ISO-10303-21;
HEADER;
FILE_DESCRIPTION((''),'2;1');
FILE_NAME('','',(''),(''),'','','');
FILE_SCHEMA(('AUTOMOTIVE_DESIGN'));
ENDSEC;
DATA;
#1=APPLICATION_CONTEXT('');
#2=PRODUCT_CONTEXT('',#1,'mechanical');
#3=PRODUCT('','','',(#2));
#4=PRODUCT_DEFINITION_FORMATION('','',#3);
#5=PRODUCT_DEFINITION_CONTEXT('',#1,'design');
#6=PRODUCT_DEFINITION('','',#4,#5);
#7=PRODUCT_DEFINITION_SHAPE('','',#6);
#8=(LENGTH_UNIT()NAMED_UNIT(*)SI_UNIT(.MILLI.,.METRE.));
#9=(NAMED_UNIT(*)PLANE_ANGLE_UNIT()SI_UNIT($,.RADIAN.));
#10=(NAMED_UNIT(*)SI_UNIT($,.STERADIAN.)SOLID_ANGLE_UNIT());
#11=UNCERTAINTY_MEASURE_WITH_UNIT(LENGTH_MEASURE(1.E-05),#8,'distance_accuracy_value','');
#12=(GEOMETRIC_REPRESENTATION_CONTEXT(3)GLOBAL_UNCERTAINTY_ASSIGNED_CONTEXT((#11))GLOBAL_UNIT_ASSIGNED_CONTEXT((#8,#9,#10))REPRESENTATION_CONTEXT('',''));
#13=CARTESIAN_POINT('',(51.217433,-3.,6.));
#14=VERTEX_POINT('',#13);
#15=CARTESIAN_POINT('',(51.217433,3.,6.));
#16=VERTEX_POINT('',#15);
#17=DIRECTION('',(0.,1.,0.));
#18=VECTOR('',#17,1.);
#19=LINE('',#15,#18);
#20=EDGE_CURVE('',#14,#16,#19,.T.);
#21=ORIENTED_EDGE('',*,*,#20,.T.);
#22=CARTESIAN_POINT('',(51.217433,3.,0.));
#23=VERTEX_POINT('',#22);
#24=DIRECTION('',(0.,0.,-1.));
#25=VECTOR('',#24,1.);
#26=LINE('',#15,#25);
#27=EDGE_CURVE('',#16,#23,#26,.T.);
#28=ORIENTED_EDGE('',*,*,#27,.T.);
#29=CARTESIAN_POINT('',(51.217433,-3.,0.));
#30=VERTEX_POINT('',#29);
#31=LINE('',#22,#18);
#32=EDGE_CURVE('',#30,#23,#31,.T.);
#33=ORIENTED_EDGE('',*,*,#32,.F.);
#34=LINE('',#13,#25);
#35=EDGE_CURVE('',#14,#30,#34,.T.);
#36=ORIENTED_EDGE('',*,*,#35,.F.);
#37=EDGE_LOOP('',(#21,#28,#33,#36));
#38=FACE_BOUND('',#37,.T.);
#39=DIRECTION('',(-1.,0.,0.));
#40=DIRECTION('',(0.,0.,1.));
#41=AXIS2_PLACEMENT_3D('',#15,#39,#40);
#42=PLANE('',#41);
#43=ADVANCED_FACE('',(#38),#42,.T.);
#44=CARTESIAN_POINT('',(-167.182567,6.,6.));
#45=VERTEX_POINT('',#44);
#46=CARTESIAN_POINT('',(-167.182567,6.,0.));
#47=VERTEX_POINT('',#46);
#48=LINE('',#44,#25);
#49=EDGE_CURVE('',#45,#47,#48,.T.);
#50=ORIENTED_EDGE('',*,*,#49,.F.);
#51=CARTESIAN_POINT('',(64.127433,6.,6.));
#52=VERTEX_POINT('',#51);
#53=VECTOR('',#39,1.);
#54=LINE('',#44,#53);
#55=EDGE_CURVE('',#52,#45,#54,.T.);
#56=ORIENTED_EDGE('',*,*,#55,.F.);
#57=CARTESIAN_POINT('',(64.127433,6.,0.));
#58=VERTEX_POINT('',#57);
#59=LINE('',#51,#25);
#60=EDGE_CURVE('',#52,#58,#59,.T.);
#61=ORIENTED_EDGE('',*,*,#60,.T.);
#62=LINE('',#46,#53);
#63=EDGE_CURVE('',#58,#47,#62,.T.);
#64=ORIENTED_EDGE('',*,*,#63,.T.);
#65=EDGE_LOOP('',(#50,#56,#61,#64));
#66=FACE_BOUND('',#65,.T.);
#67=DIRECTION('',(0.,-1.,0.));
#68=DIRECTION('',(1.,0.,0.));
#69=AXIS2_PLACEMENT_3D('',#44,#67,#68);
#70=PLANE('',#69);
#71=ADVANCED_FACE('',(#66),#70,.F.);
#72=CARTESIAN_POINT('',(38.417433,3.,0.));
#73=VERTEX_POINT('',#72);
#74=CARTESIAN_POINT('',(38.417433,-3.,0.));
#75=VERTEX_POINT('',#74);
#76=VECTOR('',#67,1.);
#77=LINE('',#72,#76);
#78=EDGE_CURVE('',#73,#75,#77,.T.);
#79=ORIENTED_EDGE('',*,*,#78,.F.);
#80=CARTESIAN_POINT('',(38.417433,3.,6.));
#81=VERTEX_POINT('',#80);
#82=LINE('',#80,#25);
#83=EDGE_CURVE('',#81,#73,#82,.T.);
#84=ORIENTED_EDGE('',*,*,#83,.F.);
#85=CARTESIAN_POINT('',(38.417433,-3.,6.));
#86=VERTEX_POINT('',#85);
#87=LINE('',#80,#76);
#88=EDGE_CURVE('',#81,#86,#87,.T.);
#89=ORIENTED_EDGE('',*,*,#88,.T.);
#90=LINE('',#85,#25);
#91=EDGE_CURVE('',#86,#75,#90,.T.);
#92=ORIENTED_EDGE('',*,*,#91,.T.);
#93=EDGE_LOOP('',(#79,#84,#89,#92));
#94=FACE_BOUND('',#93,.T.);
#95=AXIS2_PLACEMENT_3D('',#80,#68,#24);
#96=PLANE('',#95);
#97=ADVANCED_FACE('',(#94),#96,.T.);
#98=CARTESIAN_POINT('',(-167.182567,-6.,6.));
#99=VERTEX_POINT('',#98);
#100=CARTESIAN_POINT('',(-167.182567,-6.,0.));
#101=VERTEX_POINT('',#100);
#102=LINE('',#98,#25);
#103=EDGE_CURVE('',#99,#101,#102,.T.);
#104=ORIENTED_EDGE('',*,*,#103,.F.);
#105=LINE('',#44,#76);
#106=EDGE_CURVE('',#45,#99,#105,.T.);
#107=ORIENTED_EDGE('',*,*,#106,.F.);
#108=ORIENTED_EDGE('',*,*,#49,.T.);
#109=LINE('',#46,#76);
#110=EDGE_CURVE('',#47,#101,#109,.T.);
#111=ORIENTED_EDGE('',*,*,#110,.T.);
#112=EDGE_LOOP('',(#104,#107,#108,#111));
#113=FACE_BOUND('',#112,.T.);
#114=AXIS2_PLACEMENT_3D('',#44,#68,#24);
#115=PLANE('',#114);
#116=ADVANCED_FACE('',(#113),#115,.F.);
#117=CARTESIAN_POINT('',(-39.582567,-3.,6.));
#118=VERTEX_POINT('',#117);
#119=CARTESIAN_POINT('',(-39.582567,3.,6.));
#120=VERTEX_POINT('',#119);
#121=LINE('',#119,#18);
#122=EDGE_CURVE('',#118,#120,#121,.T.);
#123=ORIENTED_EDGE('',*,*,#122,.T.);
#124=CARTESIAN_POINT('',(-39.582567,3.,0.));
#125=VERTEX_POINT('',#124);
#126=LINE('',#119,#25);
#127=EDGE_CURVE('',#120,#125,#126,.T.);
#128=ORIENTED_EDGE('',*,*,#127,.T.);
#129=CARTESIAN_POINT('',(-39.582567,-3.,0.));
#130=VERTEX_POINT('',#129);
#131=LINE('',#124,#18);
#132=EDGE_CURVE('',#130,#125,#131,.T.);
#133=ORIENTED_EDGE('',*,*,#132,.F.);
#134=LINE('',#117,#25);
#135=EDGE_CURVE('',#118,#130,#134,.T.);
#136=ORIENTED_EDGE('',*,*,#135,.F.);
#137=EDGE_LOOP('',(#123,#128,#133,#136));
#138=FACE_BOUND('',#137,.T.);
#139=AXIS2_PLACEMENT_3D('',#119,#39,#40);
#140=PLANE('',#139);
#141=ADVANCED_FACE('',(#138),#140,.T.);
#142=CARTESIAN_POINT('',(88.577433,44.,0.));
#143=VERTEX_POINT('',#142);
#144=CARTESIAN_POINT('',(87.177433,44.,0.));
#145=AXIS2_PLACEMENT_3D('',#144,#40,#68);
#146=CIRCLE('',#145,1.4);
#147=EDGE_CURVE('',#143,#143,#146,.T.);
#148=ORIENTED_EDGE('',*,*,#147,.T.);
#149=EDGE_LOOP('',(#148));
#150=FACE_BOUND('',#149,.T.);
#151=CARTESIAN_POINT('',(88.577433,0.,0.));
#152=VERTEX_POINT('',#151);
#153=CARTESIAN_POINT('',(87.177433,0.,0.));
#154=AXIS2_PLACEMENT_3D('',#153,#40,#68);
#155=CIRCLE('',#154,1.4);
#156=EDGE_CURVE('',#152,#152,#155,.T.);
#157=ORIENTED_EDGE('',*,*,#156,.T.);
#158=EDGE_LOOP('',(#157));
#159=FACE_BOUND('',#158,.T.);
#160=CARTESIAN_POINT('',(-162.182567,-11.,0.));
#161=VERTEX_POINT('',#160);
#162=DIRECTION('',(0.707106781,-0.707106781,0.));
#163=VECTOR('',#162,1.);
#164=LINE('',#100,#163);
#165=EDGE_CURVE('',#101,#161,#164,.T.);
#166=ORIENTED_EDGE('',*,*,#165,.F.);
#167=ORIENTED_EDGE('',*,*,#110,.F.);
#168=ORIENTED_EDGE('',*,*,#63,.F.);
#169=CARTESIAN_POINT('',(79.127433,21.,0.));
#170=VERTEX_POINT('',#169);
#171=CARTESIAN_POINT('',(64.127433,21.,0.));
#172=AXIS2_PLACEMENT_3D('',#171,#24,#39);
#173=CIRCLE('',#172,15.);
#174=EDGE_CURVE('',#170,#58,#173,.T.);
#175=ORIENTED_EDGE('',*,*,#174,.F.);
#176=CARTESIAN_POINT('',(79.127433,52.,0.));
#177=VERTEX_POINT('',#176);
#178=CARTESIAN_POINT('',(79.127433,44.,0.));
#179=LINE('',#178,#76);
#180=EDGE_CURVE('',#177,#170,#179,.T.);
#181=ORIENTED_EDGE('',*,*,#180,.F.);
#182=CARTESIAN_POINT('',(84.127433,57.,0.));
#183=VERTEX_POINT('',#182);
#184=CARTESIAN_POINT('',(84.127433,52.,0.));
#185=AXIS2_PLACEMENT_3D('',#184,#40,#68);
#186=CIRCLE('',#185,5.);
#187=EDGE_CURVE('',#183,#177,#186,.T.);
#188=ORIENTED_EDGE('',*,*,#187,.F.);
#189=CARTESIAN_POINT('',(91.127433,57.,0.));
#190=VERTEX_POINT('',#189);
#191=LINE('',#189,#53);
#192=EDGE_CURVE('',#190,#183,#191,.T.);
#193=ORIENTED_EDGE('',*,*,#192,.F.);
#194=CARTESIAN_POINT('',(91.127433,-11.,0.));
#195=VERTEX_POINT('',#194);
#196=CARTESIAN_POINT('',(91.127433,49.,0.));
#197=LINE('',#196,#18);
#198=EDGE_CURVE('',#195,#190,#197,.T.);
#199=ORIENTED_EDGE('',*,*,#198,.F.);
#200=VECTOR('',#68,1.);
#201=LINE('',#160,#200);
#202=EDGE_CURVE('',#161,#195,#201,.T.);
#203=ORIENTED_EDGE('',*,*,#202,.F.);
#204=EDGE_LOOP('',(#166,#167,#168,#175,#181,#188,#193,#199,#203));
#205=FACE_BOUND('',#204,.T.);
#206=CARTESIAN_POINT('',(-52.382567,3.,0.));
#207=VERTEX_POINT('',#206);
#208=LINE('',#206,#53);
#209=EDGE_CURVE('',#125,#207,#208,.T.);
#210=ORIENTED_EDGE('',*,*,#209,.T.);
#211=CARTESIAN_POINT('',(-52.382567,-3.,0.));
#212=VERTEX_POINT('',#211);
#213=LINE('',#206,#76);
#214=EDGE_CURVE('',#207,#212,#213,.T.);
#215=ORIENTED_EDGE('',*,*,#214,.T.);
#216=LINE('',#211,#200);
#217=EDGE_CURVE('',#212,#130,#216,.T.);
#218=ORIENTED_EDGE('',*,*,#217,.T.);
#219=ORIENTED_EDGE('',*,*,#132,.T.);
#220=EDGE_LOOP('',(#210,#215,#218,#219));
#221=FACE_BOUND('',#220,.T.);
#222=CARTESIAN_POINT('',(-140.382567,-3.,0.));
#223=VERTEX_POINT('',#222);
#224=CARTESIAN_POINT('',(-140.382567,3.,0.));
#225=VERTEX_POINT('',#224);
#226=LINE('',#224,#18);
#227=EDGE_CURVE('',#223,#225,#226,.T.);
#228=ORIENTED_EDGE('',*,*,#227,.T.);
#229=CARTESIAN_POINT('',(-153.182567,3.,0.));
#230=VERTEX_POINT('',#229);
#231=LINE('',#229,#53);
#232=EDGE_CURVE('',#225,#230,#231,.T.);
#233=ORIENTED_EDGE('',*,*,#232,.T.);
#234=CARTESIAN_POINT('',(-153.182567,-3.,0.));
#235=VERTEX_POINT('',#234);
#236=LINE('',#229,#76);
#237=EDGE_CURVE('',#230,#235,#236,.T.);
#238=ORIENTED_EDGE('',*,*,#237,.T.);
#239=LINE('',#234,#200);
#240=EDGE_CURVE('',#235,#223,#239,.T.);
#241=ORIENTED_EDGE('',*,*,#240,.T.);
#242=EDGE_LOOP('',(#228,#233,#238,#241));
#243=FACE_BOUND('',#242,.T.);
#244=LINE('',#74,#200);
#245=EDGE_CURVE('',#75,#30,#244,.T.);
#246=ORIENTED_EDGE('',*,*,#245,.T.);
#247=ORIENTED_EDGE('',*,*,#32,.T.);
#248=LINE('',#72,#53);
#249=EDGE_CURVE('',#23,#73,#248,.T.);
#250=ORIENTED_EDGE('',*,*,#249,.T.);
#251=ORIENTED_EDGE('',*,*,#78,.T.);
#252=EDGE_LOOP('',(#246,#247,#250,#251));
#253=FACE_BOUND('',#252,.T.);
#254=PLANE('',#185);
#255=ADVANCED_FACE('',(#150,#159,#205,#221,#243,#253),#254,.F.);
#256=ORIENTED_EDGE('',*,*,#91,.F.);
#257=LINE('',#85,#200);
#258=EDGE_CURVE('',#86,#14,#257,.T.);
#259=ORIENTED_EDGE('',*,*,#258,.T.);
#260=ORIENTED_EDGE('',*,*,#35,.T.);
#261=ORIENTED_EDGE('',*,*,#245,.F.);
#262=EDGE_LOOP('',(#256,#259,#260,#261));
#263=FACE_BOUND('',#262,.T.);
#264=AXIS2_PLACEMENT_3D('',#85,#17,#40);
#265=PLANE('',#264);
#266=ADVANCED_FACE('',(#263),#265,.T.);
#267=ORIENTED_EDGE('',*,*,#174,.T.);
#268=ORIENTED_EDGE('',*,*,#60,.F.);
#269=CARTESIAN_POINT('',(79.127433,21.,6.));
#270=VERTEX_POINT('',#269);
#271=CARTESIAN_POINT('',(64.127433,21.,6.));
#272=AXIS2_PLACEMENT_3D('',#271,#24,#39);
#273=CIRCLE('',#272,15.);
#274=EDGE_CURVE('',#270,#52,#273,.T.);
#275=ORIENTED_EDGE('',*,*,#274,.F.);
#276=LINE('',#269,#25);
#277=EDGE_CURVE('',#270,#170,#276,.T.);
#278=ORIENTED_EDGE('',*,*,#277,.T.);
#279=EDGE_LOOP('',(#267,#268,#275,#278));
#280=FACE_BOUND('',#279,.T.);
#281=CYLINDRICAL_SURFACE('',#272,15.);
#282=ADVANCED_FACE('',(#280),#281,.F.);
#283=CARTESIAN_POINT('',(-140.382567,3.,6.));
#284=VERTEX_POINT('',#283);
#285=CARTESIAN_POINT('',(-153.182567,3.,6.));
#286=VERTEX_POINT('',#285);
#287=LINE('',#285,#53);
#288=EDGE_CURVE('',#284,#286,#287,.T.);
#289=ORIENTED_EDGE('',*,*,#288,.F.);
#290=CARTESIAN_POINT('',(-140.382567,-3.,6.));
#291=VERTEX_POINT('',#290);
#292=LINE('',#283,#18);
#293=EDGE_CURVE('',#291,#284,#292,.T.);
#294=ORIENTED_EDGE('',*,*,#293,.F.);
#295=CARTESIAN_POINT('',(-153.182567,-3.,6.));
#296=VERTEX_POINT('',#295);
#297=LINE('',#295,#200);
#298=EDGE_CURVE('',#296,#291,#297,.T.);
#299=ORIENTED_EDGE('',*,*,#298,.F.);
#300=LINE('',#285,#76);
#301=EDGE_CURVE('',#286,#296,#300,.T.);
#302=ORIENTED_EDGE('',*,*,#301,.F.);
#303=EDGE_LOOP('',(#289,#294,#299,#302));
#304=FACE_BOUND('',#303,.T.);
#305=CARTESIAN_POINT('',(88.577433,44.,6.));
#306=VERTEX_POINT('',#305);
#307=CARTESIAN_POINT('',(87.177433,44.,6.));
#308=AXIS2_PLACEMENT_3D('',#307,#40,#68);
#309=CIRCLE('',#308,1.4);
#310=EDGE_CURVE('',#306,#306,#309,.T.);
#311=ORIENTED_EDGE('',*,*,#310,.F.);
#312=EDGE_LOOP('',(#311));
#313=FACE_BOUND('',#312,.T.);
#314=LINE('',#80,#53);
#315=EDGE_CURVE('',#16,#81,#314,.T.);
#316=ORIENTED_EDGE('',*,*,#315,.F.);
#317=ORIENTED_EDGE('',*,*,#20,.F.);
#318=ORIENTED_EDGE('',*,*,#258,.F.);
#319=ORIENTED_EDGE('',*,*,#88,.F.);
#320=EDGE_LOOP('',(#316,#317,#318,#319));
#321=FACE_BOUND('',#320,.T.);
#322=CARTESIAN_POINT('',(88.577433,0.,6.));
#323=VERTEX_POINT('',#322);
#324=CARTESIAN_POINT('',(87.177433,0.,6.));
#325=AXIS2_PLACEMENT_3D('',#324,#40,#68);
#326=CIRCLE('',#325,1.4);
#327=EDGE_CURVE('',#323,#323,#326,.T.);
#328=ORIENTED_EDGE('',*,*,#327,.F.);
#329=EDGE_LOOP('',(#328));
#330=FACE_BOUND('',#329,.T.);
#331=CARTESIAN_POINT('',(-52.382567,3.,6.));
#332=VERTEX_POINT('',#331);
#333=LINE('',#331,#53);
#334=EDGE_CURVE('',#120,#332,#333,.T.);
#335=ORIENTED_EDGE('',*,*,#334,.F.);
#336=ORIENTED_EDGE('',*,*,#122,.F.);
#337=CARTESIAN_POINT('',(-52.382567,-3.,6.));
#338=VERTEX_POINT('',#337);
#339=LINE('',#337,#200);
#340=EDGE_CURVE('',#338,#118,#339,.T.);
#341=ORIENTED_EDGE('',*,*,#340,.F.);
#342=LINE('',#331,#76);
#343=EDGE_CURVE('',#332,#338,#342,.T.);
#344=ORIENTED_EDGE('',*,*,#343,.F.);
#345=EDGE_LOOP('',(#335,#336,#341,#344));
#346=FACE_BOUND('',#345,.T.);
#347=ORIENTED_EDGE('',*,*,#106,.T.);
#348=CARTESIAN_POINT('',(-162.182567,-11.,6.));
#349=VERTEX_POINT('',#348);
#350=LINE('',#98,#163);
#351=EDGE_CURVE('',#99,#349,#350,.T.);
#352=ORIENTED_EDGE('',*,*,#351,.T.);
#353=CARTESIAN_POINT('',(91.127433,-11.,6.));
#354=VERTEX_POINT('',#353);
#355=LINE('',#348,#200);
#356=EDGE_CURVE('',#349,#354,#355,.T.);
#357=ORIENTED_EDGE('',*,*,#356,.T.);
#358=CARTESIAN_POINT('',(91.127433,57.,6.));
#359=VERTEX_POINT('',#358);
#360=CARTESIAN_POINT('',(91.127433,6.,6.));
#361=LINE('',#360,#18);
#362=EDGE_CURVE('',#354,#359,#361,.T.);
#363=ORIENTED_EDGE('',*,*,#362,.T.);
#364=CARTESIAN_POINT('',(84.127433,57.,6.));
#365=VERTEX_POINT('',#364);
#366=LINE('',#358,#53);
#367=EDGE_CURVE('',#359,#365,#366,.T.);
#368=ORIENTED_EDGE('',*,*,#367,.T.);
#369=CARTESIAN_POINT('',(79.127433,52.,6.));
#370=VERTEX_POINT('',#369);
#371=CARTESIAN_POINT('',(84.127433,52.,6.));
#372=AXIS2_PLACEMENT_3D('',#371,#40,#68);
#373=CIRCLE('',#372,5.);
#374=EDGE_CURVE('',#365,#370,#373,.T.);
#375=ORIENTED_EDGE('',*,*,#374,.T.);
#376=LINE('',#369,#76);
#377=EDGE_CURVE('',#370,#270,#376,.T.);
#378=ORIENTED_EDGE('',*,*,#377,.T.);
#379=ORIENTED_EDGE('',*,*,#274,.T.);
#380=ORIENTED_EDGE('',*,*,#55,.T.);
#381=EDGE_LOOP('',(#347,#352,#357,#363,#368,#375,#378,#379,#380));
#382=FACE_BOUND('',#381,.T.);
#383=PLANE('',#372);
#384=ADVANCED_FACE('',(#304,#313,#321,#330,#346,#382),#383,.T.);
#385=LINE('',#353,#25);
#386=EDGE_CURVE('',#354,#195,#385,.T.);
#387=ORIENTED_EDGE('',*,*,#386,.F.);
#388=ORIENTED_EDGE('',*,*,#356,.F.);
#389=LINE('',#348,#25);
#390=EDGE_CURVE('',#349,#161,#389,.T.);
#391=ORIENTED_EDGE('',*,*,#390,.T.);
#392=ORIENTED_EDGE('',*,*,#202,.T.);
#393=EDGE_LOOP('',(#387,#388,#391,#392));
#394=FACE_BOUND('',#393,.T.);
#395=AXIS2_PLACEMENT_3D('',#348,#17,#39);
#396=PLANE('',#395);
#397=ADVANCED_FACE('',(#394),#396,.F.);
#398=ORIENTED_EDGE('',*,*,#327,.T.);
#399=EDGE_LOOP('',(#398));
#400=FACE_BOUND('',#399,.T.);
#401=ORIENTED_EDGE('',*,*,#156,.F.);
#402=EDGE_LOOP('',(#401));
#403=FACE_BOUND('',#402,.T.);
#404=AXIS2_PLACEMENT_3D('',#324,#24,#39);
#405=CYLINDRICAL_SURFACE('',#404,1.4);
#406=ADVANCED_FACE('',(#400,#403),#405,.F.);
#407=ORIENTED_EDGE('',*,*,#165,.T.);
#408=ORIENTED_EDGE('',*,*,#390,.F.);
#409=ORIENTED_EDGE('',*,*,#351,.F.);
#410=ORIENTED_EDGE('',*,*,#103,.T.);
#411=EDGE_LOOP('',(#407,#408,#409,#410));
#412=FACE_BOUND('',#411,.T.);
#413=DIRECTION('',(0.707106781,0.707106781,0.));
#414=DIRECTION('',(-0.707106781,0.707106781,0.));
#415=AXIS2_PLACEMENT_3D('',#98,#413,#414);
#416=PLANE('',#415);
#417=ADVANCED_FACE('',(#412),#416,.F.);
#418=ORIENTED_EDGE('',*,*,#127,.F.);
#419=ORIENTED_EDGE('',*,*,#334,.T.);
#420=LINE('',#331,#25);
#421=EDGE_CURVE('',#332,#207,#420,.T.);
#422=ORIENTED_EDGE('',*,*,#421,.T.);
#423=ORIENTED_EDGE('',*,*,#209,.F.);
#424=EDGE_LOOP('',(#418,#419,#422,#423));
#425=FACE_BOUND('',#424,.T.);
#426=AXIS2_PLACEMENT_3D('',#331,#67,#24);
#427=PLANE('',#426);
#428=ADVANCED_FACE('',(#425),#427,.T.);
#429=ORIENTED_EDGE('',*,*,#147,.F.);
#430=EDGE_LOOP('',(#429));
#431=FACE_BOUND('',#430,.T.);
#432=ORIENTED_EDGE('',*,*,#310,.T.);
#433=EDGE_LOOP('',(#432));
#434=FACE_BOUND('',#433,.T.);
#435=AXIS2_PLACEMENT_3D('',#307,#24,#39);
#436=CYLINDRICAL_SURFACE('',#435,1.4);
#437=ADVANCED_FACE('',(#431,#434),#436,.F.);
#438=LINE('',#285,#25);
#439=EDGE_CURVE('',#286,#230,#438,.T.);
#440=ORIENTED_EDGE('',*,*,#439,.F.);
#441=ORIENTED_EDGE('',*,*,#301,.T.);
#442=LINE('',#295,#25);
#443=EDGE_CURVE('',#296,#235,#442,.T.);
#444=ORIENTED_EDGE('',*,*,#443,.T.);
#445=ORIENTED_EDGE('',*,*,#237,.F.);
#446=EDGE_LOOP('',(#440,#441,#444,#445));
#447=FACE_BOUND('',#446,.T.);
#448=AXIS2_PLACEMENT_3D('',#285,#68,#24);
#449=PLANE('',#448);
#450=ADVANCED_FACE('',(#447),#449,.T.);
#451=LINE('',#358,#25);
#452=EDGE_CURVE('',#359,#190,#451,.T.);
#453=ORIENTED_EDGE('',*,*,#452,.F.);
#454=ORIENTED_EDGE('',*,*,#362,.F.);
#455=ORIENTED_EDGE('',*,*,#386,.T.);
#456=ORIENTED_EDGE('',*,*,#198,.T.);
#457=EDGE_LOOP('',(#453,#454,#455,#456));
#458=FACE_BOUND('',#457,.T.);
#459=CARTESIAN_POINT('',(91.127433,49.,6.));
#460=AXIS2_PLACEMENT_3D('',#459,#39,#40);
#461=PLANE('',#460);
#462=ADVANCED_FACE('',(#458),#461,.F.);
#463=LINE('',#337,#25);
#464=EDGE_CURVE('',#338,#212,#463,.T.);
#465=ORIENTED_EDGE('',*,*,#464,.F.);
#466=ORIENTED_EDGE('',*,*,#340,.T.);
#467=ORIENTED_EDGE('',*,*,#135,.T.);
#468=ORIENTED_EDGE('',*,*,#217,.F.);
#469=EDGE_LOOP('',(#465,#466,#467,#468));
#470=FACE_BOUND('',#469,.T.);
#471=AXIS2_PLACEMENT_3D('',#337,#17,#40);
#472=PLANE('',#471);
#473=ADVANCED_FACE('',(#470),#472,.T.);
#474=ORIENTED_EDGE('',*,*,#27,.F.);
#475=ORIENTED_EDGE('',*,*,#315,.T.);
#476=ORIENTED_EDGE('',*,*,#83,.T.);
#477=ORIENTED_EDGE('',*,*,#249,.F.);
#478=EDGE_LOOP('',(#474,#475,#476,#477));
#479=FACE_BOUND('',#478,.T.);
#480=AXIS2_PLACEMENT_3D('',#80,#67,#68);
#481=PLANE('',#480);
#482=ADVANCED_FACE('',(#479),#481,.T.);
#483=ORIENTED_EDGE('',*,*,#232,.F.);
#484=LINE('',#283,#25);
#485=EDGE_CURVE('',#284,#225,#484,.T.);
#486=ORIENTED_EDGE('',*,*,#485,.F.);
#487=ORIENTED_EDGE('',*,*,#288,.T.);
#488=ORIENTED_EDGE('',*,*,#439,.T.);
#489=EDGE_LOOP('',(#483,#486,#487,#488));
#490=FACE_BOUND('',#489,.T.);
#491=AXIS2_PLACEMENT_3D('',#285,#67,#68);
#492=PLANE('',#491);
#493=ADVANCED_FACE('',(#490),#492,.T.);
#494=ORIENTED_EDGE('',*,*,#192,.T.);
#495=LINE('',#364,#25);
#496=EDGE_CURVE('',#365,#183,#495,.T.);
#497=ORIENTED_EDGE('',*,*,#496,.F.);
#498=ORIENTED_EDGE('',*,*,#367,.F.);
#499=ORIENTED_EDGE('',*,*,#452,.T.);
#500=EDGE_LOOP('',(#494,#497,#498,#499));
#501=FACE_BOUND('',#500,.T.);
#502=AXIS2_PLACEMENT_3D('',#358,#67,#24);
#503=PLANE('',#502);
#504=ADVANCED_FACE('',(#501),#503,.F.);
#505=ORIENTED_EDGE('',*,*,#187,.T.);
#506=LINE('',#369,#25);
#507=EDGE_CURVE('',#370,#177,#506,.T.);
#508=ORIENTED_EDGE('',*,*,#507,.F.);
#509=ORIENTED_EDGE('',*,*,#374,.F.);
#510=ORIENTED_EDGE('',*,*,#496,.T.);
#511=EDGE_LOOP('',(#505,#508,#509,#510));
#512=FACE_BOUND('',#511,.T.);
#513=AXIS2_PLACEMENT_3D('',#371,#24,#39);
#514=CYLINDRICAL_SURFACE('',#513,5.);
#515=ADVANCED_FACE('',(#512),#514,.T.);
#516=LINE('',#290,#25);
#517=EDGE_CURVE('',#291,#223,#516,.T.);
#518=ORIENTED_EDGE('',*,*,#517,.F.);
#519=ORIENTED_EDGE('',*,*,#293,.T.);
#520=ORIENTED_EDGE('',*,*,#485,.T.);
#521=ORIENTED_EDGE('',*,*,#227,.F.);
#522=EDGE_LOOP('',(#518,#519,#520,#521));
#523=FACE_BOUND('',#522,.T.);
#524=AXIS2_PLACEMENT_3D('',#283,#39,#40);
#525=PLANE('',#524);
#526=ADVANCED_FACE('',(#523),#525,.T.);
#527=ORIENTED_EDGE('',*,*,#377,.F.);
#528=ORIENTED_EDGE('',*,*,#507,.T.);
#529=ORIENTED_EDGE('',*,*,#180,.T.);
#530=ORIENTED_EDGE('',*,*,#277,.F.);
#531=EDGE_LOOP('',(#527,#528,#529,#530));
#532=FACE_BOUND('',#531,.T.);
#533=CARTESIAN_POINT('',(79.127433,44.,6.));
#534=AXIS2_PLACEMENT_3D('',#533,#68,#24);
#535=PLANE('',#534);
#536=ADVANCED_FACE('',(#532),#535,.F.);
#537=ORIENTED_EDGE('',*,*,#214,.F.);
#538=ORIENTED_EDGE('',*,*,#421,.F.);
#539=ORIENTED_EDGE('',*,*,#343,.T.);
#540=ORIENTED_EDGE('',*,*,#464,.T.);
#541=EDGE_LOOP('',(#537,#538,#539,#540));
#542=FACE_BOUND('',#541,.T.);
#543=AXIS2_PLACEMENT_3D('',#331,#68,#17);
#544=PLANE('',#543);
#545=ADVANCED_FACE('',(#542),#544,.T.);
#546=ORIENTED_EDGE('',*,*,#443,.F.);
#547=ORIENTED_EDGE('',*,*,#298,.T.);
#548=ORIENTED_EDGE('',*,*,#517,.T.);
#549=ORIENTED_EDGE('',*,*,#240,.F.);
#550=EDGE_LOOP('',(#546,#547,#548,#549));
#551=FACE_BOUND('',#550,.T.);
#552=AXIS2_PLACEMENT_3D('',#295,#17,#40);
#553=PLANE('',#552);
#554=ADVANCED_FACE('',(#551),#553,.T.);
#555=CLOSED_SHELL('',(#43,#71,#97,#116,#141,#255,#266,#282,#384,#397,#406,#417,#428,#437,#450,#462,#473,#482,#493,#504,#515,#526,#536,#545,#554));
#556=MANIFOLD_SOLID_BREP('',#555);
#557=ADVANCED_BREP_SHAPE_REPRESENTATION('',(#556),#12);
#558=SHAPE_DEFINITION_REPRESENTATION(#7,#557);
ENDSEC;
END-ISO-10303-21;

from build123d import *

# Parameters (mm, degrees)
SKETCH_1_R      = 1.4
SKETCH_1_W      = 12.8
SKETCH_1_H      = 6
EXTRUDE_1_DEPTH = 6


with BuildPart() as part:
    # Эскиз1 → Бобышка-Вытянуть1 (new body)
    with BuildSketch(Plane.XY):
        with BuildLine():
            Line((-167.182566644, 6), (64.127433356, 6))
            ThreePointArc((64.127433356, 6), (74.734035074, 10.393398282), (79.127433356, 21))
            Line((79.127433356, 21), (79.127433356, 44))
            Line((79.127433356, 44), (79.127433356, 52))
            ThreePointArc((79.127433356, 52), (80.59189945, 55.535533906), (84.127433356, 57))
            Line((84.127433356, 57), (91.127433356, 57))
            Line((91.127433356, 57), (91.127433356, 49))
            Line((91.127433356, 49), (91.127433356, 6))
            Line((91.127433356, 6), (91.127433356, -11))
            Line((91.127433356, -11), (-162.182566644, -11))
            Line((-162.182566644, -11), (-167.182566644, -6))
            Line((-167.182566644, -6), (-167.182566644, 6))
        make_face()
        with Locations((87.177433356, 0)):
            Circle(SKETCH_1_R, mode=Mode.SUBTRACT)
        with Locations((87.177433356, 44)):
            Circle(SKETCH_1_R, mode=Mode.SUBTRACT)
        with Locations((44.817433356, 0)):
            Rectangle(SKETCH_1_W, SKETCH_1_H, mode=Mode.SUBTRACT)
        with Locations((-45.982566644, 0)):
            Rectangle(SKETCH_1_W, SKETCH_1_H, mode=Mode.SUBTRACT)
        with Locations((-146.782566644, 0)):
            Rectangle(SKETCH_1_W, SKETCH_1_H, mode=Mode.SUBTRACT)
    extrude(amount=EXTRUDE_1_DEPTH)


solid = part.part
